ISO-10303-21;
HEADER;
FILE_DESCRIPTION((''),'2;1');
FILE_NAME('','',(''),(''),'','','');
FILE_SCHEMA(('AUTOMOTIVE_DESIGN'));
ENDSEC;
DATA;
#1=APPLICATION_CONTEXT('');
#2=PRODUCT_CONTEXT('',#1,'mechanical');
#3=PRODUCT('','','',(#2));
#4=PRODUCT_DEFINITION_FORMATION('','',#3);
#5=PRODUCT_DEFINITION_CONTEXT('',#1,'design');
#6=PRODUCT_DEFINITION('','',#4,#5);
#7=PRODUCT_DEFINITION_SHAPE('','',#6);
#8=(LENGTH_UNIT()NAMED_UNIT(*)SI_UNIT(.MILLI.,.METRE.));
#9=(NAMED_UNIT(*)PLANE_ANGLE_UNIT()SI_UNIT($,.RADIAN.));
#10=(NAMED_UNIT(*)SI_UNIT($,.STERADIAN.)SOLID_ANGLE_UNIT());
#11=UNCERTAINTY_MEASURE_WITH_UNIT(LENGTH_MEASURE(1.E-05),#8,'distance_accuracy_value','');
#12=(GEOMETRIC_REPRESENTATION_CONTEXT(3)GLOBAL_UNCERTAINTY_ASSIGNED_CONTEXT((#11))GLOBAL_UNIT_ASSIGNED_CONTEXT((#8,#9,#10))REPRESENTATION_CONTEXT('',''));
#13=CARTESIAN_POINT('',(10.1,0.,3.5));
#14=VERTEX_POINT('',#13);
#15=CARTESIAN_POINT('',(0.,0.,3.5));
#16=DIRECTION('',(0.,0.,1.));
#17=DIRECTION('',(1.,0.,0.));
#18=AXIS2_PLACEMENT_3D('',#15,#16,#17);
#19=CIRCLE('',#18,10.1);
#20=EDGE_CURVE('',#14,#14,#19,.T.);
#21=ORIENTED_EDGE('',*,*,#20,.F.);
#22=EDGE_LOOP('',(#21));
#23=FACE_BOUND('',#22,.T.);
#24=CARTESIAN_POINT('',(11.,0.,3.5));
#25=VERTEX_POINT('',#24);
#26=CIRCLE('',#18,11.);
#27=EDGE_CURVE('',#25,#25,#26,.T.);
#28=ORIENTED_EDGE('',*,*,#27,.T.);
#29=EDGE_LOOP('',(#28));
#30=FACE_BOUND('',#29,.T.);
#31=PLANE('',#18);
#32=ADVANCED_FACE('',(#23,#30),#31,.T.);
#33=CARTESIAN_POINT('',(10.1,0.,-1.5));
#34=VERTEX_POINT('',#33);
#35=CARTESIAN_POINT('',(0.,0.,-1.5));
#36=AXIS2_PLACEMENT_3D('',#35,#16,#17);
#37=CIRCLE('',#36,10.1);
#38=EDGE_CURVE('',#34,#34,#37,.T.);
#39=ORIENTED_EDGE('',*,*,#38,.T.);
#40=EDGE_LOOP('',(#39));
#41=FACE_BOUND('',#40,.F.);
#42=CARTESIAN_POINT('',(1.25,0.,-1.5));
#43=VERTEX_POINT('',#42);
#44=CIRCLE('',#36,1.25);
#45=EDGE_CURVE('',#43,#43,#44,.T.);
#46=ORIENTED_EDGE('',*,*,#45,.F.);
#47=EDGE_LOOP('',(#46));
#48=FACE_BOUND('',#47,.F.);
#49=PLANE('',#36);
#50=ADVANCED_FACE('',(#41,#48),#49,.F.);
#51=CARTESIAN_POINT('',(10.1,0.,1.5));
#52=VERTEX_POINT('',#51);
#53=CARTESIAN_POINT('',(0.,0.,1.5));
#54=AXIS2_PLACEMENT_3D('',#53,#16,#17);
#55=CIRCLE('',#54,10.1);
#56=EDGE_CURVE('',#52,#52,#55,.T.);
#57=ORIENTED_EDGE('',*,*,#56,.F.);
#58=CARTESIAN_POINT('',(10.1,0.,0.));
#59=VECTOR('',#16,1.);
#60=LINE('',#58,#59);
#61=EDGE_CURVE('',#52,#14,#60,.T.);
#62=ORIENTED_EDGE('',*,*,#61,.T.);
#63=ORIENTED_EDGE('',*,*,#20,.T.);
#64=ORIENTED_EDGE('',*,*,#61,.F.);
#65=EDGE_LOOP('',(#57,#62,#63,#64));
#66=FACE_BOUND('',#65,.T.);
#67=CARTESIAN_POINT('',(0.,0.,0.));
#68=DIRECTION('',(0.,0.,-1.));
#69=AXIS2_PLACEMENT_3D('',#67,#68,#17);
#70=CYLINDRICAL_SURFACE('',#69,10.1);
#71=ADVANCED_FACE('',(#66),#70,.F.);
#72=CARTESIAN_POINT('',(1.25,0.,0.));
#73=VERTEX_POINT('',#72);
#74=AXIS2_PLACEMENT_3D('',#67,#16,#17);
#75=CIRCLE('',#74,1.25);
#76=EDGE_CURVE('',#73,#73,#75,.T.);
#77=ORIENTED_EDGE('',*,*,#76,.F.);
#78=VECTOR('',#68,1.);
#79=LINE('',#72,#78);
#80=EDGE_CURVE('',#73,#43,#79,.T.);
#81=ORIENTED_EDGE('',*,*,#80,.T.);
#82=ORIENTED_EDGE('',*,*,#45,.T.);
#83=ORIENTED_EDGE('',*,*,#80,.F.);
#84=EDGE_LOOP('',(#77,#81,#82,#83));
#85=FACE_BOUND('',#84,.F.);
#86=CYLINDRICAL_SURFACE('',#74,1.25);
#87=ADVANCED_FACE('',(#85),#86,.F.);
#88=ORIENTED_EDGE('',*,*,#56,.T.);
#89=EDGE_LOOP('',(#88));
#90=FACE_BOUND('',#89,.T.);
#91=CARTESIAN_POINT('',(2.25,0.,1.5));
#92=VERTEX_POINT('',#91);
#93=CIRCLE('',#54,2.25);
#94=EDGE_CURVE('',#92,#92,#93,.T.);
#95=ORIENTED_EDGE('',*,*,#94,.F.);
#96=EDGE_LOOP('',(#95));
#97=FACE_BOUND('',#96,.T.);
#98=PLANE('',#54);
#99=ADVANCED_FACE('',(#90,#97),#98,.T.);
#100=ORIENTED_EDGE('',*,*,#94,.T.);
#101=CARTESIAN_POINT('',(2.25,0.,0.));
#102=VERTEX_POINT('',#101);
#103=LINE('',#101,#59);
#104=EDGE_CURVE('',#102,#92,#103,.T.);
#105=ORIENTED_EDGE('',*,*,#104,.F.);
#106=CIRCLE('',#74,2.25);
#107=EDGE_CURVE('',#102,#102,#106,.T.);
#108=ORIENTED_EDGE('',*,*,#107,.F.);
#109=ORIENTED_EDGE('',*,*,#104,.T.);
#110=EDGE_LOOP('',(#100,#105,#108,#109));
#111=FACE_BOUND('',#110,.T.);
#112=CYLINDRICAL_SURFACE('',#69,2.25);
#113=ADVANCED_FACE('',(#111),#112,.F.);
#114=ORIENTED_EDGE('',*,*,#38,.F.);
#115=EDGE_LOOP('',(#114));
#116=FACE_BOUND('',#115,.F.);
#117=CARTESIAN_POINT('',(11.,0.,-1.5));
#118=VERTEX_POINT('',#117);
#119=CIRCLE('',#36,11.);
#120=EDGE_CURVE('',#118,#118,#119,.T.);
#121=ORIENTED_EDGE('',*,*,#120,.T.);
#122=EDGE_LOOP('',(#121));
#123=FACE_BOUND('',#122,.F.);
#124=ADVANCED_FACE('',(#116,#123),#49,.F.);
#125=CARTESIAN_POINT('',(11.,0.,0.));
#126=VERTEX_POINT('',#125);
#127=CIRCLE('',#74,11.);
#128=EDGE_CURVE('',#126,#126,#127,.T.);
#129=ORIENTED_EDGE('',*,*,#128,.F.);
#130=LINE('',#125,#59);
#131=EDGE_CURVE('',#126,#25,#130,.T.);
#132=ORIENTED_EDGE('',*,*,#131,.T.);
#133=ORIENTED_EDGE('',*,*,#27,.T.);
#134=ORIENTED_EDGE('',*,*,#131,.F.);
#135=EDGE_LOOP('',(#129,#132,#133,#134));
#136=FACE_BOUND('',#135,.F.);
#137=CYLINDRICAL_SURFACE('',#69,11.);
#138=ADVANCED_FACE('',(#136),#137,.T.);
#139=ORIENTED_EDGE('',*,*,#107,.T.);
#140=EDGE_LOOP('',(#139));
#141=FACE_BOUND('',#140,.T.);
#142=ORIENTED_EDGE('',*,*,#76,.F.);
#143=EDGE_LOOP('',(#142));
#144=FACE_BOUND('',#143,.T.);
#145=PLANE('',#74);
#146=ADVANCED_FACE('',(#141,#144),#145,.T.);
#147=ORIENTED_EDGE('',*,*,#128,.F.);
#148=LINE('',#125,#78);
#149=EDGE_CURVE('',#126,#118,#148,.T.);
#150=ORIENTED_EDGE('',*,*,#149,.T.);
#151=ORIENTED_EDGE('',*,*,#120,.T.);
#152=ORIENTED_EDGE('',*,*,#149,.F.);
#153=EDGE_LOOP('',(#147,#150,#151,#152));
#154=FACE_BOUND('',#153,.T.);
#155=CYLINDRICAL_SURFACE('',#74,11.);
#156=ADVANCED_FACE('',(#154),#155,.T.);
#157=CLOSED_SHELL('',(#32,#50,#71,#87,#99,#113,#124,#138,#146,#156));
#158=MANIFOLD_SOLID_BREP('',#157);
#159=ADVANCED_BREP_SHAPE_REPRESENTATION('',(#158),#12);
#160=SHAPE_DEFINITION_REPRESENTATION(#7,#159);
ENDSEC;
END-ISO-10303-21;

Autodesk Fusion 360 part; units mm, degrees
sketch "Skizze1" plane through (0, 0, 0) normal (0, 0, 1) x (1, 0, 0)
  line L0 (-39.8802, 0) -> (43.6662, 0) construction
  line L1 (0, 41.7732) -> (0, -47.5785) construction
  circle A0 centre (0, 0) radius 11
  circle A1 centre (0, 0) radius 10.1
  circle A2 centre (0, 0) radius 1.25
  circle A3 centre (0, 0) radius 2.25
  dimension "d1" = 22
  dimension "d2" = 20.2
  dimension "d3" = 2.5
  dimension "d4" = 4.5
extrude "Extrusion1" add sketch "Skizze1" against normal blind 1.5 contours A1 | A3
extrude "Extrusion2" add sketch "Skizze1" along normal blind 1.5 contours A1
extrude "Extrusion3" add sketch "Skizze1" along normal blind 3.5 and the other way blind 1.5 contours A0
